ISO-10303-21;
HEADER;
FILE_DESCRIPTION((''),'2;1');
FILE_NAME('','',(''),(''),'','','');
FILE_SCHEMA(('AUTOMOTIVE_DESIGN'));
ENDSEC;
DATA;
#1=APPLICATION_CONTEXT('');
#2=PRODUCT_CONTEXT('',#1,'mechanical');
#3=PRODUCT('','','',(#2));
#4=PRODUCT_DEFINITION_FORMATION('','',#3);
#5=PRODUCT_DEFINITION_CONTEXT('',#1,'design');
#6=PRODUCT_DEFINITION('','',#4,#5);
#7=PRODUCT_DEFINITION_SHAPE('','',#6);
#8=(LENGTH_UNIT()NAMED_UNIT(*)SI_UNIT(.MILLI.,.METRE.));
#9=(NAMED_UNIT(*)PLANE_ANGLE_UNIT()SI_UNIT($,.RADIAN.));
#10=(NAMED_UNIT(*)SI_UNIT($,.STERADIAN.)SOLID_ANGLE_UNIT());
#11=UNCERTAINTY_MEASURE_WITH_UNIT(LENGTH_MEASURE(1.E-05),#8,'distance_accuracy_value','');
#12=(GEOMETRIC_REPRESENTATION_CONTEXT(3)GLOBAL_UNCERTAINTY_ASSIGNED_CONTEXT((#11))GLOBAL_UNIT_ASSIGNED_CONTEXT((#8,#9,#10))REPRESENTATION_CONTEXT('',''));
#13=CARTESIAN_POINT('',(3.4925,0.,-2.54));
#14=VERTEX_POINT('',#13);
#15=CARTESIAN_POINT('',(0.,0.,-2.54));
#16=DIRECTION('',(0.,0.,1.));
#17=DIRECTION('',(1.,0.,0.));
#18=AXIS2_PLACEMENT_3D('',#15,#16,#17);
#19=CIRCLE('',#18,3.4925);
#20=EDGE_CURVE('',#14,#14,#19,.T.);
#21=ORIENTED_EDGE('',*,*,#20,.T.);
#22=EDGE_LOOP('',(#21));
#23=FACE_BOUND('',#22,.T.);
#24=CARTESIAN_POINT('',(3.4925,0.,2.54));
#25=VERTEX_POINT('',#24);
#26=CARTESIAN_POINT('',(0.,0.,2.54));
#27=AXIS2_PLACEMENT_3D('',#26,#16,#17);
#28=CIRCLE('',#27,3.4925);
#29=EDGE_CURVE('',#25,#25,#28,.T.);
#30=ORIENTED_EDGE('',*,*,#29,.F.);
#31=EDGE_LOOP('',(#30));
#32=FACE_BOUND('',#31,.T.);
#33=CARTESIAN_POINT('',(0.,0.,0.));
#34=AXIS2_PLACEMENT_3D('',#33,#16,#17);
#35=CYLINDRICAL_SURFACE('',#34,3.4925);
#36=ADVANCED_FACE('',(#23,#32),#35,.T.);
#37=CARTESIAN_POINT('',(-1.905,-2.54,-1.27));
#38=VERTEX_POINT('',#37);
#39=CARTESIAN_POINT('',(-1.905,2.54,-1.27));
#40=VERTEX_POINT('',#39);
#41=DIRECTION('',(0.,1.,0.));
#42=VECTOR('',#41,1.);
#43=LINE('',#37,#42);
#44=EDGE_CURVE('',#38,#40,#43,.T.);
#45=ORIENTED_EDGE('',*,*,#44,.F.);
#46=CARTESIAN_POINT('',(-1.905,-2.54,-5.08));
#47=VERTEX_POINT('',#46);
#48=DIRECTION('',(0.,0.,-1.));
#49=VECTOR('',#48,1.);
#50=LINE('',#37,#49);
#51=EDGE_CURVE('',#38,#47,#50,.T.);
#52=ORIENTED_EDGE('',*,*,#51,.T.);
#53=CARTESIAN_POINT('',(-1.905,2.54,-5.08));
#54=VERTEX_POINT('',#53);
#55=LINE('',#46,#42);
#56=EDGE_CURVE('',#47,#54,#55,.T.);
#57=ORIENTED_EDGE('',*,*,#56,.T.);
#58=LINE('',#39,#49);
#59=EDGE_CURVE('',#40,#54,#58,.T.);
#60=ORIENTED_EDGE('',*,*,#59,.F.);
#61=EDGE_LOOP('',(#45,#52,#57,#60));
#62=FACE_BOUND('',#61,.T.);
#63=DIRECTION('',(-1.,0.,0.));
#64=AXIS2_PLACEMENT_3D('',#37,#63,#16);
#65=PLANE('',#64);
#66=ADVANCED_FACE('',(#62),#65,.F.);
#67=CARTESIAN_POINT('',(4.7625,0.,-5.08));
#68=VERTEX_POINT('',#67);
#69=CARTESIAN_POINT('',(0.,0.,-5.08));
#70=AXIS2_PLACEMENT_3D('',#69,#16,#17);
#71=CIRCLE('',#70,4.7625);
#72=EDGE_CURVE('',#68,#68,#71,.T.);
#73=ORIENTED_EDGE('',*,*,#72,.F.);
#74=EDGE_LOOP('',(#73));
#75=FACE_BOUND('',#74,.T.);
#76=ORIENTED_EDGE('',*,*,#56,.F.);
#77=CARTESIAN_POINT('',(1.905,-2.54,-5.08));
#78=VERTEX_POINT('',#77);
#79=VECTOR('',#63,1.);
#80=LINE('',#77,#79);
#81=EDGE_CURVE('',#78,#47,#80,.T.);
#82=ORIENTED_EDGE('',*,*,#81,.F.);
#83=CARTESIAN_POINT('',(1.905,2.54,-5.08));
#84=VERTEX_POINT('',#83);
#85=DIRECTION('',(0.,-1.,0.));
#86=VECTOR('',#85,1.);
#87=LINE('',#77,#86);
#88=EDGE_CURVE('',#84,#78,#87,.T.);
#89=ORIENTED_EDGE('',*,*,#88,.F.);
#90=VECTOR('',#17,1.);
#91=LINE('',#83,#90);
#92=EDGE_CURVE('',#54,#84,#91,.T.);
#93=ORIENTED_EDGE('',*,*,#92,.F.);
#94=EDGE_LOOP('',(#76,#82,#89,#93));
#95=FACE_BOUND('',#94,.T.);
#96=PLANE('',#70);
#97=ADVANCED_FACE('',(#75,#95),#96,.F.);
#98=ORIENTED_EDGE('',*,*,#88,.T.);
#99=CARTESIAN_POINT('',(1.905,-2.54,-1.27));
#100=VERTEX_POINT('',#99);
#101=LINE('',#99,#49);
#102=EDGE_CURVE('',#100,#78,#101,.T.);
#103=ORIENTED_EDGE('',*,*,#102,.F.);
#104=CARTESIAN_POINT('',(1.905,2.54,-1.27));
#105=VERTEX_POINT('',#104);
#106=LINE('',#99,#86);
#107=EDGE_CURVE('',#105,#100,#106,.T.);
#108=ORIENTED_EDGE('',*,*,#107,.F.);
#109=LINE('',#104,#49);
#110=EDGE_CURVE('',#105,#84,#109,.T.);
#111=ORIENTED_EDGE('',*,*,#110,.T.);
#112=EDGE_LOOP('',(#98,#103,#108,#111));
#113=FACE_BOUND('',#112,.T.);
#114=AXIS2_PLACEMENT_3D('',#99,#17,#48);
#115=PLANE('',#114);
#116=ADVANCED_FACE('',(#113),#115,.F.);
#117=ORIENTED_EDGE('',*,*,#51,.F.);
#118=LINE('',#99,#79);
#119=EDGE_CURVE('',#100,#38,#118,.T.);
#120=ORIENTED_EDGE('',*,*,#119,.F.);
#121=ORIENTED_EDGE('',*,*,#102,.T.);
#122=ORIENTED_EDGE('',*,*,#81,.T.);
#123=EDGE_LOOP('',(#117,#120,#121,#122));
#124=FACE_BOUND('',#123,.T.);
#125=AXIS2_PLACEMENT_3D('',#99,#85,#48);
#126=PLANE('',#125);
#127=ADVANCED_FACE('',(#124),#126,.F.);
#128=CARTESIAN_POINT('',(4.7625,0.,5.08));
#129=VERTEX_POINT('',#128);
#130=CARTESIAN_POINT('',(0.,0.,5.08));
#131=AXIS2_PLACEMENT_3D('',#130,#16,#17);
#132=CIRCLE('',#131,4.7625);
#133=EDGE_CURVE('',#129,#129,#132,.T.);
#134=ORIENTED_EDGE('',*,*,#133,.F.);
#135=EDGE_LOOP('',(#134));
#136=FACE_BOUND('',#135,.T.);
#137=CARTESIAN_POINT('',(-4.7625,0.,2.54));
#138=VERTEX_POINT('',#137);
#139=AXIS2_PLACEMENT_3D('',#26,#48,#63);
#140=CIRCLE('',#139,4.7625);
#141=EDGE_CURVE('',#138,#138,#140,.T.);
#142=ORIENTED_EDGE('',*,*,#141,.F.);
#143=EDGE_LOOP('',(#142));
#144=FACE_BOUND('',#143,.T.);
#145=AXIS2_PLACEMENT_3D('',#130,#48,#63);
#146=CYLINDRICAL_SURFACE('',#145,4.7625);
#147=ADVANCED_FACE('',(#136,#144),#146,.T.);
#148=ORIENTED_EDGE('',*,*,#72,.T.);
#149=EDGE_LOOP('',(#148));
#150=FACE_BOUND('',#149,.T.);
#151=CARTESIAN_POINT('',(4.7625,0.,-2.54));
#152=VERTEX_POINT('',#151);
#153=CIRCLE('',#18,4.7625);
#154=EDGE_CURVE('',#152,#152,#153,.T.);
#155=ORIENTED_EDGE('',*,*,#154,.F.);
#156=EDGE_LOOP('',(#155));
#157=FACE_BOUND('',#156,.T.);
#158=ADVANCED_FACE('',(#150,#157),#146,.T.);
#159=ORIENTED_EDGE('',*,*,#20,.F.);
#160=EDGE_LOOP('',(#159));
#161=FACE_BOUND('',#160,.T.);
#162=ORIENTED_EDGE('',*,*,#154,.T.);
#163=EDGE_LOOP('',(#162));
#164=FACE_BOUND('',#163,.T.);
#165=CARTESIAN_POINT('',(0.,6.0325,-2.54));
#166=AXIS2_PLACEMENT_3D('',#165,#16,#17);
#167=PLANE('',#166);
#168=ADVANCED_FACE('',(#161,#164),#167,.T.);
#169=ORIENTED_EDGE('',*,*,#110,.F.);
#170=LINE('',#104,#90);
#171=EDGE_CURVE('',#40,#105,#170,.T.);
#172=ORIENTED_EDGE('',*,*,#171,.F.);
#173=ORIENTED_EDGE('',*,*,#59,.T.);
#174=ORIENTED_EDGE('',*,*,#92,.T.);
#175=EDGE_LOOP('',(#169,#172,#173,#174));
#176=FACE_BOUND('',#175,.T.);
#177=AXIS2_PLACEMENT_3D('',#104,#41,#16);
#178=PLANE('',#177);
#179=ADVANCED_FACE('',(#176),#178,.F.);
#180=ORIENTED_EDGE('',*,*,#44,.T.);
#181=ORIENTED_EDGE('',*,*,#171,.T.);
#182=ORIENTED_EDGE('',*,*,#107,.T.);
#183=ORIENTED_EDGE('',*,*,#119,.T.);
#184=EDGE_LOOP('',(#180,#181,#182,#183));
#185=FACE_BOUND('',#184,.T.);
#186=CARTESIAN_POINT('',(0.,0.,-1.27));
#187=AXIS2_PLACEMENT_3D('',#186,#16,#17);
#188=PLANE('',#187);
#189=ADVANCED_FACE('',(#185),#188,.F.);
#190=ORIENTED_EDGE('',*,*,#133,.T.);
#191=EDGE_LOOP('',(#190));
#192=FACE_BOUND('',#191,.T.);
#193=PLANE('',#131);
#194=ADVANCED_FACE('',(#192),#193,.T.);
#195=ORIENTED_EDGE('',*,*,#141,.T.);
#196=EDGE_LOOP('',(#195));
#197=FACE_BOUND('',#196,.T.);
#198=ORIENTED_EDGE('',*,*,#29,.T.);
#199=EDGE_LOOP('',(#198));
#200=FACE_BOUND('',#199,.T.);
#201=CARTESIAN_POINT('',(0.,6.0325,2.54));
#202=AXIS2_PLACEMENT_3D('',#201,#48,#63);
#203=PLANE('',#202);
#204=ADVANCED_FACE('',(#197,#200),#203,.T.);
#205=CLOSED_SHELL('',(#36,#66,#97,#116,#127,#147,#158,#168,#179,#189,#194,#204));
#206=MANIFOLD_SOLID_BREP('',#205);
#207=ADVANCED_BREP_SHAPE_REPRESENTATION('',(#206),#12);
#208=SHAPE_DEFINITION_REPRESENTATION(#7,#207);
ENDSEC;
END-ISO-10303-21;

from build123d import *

# Parameters (mm, degrees)
SKETCH1_R           = 4.7625
BOSS_EXTRUDE1_DEPTH = 5.08
SKETCH4_W           = 3.81
SKETCH4_H           = 5.08
CUT_EXTRUDE1_DEPTH  = 3.81
SKETCH8_W           = 5.08
SKETCH8_H           = 2.54


with BuildPart() as part:
    # Sketch1 → Boss-Extrude1 (new body, symmetric)
    with BuildSketch(Plane.XY):
        Circle(SKETCH1_R)
    extrude(amount=BOSS_EXTRUDE1_DEPTH, both=True)

    # Sketch4 → Cut-Extrude1 (cut)
    with BuildSketch(Plane(origin=(0, 0, -5.08), x_dir=(-1, 0, 0), z_dir=(0, 0, -1))):
        Rectangle(SKETCH4_W, SKETCH4_H)
    extrude(amount=-CUT_EXTRUDE1_DEPTH, mode=Mode.SUBTRACT)

    # Sketch8 → Cut-Revolve1 (revolve, cut)
    with BuildSketch(Plane(origin=(0, 0, 0), x_dir=(0, 0, -1), z_dir=(1, 0, 0)), mode=Mode.PRIVATE) as cut_revolve1_sk:
        with Locations((0, 4.7625)):
            Rectangle(SKETCH8_W, SKETCH8_H)
    revolve(cut_revolve1_sk.sketch.rotate(Axis((0, 0, 0), (0, 0, -1)), 90), axis=Axis((0, 0, 0), (0, 0, -1)), mode=Mode.SUBTRACT)  # turned: the seam where the file's is


solid = part.part
